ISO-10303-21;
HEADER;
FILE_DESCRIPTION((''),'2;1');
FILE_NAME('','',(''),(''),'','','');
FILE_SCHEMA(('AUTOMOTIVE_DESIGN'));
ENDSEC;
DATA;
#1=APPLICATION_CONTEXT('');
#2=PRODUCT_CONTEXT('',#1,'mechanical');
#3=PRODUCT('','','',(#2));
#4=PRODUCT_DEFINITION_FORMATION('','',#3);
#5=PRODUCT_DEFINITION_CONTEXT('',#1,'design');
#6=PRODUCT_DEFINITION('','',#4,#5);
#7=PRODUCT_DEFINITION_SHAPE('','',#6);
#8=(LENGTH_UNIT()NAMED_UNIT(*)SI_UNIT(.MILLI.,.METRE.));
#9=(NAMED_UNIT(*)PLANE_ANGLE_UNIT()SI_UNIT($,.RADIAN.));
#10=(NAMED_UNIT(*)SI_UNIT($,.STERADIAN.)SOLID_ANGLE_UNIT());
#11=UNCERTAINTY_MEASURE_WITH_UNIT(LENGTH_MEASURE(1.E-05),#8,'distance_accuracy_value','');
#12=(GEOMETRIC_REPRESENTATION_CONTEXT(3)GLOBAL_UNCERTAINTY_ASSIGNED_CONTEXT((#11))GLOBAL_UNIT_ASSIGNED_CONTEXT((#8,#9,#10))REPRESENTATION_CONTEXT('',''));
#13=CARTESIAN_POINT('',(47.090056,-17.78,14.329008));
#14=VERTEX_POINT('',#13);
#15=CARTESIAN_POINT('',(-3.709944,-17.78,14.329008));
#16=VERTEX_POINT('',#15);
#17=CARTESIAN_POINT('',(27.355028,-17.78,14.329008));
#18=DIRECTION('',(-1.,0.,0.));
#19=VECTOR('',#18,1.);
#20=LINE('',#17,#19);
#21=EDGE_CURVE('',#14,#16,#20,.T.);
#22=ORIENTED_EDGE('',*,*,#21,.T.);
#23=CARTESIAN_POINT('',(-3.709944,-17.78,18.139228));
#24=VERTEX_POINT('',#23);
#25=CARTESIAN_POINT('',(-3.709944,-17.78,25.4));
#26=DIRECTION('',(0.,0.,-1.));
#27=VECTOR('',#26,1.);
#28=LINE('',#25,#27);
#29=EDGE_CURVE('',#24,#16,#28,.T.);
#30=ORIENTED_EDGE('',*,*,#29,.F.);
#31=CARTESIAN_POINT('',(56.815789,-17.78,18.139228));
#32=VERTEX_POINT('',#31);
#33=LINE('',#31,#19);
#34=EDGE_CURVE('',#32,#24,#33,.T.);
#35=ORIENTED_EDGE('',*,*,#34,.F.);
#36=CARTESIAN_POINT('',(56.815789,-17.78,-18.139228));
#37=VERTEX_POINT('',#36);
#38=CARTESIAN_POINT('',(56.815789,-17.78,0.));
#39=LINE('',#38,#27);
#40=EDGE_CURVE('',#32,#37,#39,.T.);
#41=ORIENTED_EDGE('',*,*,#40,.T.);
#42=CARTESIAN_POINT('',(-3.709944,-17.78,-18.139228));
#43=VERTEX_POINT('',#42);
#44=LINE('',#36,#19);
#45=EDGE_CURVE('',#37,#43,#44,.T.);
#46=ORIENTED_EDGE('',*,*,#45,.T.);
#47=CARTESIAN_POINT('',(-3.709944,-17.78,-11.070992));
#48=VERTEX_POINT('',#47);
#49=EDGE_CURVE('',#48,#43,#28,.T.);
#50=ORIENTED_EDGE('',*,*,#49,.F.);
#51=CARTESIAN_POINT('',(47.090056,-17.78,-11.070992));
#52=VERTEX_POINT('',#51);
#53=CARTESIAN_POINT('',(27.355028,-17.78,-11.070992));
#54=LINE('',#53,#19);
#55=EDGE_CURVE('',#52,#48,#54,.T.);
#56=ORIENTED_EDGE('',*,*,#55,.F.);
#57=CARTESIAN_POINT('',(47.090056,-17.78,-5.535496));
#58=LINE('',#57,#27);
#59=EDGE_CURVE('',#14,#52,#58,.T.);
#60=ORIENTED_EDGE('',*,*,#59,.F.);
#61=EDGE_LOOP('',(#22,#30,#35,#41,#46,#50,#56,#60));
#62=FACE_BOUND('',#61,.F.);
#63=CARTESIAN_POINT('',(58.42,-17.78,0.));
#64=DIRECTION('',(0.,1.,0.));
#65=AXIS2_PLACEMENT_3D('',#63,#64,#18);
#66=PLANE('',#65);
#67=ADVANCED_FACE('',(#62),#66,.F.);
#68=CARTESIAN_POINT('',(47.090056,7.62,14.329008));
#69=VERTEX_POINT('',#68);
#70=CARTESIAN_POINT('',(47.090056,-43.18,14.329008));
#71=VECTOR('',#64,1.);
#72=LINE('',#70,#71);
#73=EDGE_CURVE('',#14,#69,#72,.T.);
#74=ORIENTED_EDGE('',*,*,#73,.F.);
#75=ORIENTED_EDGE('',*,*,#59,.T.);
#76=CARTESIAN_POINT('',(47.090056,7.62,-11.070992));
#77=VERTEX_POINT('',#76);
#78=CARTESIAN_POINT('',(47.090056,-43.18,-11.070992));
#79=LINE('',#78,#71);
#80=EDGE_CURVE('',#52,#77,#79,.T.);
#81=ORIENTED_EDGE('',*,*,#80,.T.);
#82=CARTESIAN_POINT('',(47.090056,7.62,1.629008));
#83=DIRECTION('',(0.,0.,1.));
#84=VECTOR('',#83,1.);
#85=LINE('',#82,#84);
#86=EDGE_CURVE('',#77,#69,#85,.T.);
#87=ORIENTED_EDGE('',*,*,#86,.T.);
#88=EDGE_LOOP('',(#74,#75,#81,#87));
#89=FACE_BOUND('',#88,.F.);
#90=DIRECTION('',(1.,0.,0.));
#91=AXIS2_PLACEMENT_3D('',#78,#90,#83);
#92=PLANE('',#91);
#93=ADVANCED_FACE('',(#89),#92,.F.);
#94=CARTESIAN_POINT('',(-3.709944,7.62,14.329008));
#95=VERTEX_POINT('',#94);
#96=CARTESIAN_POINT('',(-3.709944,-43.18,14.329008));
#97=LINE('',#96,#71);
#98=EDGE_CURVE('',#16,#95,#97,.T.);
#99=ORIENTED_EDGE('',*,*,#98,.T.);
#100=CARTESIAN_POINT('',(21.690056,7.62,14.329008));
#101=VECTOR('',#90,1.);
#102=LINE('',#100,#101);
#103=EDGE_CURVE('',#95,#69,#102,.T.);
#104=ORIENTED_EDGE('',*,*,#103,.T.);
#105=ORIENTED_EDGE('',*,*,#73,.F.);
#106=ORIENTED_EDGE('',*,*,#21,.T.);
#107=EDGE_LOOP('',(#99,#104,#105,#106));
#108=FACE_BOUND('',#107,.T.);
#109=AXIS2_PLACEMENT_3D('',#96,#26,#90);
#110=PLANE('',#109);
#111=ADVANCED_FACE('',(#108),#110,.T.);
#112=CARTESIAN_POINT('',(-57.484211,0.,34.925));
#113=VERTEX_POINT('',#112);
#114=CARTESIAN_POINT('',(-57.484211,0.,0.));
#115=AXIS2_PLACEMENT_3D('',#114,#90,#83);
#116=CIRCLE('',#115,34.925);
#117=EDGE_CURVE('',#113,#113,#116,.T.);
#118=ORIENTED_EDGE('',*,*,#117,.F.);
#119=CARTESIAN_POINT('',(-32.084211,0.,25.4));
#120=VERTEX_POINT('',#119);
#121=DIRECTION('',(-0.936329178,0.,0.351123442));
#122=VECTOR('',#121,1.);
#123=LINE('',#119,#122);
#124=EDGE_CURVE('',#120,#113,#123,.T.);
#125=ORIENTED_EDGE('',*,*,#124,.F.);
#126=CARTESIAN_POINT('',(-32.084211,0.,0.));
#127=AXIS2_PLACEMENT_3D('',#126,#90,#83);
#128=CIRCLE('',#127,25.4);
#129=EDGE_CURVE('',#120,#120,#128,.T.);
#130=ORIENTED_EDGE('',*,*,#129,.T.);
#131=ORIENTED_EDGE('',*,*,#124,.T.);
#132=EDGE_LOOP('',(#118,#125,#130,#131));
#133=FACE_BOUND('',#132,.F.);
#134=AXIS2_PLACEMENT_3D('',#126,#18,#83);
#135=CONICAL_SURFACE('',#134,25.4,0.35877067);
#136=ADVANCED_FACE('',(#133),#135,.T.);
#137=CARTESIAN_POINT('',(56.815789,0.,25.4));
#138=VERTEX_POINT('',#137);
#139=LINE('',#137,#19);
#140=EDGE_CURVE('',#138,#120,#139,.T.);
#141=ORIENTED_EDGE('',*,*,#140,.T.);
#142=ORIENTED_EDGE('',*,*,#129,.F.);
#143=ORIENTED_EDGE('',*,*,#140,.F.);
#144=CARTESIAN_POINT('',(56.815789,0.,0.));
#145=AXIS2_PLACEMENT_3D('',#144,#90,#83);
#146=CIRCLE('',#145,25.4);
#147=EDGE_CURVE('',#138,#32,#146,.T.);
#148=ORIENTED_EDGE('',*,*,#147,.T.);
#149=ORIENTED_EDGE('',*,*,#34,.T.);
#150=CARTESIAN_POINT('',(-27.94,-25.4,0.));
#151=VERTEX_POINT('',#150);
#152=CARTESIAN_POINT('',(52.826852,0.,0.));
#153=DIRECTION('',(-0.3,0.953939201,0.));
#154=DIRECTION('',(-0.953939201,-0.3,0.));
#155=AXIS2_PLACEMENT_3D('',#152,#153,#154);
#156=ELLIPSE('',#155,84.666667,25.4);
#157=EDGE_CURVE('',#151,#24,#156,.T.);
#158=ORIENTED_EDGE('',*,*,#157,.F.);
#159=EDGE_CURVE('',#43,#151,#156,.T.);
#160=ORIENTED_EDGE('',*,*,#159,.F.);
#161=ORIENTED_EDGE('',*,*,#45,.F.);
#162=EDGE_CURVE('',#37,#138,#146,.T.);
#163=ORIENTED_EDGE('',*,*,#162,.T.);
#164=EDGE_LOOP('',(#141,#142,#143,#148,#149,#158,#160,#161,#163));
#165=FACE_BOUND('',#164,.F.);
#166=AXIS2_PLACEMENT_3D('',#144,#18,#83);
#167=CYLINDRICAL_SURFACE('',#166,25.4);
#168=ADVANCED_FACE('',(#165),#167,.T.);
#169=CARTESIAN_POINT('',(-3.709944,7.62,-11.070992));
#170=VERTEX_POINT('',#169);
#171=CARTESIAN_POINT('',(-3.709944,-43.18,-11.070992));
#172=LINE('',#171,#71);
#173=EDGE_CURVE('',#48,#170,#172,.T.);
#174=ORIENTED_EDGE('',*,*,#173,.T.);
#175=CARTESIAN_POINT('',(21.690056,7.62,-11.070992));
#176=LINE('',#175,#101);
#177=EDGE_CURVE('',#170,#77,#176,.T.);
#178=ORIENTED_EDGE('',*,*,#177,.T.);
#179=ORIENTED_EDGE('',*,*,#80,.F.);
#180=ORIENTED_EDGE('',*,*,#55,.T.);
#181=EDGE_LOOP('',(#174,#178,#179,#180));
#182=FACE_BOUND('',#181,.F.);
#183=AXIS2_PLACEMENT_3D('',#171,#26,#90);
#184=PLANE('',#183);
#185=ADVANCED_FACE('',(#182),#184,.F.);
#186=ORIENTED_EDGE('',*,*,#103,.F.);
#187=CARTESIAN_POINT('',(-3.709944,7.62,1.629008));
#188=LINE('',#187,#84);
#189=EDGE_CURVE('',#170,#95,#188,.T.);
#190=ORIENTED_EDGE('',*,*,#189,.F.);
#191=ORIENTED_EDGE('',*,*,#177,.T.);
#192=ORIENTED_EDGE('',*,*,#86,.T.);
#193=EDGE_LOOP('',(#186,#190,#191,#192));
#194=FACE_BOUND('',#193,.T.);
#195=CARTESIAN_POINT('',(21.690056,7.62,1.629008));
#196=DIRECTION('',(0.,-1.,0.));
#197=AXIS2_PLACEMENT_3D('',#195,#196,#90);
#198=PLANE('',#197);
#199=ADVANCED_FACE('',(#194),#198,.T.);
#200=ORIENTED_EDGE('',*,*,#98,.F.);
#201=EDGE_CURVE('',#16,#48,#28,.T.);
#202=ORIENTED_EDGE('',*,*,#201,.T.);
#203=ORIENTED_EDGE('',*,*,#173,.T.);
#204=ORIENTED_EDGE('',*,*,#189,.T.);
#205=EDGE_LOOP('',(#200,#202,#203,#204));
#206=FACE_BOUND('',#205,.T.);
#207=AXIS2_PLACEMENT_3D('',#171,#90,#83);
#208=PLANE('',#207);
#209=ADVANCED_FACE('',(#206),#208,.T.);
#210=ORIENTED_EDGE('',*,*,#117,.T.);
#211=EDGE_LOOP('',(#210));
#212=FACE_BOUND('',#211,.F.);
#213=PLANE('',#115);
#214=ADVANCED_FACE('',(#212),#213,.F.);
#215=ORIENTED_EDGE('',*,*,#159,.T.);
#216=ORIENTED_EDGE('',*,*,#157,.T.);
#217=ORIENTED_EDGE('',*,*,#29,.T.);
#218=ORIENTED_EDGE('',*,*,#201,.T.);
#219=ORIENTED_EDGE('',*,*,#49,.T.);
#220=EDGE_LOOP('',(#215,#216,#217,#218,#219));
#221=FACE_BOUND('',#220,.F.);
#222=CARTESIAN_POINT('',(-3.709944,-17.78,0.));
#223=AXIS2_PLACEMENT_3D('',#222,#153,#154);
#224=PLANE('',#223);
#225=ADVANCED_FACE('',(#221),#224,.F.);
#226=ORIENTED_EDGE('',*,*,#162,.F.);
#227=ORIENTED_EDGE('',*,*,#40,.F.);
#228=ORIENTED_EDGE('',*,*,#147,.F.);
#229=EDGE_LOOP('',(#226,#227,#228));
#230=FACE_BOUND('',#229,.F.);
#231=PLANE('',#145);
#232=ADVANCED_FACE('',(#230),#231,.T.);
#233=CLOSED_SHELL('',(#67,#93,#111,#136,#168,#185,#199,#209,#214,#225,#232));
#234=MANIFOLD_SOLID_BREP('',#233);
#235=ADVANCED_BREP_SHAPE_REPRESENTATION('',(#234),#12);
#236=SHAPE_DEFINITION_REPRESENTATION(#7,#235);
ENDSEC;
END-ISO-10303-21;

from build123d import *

# Parameters (mm, degrees)
F5_DEPTH = 25.4
F7_W     = 50.8
F7_H     = 25.4
F8_DEPTH = 50.8


with BuildPart() as f2:
    # F0 (on Front) → F2 (revolve)
    with BuildSketch(Plane.XZ):
        Polygon((56.8157893273, 25.4), (0, 25.4), (-32.0842106727, 25.4), (-57.4842106727, 34.925), (-57.4842106727, 0), (56.8157893273, 0), align=None)
    revolve(axis=Axis((-0.3342106727, 0, 0), (1, 0, 0)))

    # F4 (on Top) → F5 (cut, symmetric)
    with BuildSketch(Plane.XY):
        Polygon((-27.94, -30.9217389812), (58.42, -30.9217389812), (58.42, -17.78), (-3.709944284, -17.78), (-27.94, -25.4), align=None)
    extrude(amount=F5_DEPTH, both=True, mode=Mode.SUBTRACT)

    # F7 (on offset) → F8 (cut)
    with BuildSketch(Plane.XZ.offset(43.18)):
        with Locations((21.690055716, 1.6290084645)):
            Rectangle(F7_W, F7_H)
    extrude(amount=-F8_DEPTH, mode=Mode.SUBTRACT)


solid = f2.part
